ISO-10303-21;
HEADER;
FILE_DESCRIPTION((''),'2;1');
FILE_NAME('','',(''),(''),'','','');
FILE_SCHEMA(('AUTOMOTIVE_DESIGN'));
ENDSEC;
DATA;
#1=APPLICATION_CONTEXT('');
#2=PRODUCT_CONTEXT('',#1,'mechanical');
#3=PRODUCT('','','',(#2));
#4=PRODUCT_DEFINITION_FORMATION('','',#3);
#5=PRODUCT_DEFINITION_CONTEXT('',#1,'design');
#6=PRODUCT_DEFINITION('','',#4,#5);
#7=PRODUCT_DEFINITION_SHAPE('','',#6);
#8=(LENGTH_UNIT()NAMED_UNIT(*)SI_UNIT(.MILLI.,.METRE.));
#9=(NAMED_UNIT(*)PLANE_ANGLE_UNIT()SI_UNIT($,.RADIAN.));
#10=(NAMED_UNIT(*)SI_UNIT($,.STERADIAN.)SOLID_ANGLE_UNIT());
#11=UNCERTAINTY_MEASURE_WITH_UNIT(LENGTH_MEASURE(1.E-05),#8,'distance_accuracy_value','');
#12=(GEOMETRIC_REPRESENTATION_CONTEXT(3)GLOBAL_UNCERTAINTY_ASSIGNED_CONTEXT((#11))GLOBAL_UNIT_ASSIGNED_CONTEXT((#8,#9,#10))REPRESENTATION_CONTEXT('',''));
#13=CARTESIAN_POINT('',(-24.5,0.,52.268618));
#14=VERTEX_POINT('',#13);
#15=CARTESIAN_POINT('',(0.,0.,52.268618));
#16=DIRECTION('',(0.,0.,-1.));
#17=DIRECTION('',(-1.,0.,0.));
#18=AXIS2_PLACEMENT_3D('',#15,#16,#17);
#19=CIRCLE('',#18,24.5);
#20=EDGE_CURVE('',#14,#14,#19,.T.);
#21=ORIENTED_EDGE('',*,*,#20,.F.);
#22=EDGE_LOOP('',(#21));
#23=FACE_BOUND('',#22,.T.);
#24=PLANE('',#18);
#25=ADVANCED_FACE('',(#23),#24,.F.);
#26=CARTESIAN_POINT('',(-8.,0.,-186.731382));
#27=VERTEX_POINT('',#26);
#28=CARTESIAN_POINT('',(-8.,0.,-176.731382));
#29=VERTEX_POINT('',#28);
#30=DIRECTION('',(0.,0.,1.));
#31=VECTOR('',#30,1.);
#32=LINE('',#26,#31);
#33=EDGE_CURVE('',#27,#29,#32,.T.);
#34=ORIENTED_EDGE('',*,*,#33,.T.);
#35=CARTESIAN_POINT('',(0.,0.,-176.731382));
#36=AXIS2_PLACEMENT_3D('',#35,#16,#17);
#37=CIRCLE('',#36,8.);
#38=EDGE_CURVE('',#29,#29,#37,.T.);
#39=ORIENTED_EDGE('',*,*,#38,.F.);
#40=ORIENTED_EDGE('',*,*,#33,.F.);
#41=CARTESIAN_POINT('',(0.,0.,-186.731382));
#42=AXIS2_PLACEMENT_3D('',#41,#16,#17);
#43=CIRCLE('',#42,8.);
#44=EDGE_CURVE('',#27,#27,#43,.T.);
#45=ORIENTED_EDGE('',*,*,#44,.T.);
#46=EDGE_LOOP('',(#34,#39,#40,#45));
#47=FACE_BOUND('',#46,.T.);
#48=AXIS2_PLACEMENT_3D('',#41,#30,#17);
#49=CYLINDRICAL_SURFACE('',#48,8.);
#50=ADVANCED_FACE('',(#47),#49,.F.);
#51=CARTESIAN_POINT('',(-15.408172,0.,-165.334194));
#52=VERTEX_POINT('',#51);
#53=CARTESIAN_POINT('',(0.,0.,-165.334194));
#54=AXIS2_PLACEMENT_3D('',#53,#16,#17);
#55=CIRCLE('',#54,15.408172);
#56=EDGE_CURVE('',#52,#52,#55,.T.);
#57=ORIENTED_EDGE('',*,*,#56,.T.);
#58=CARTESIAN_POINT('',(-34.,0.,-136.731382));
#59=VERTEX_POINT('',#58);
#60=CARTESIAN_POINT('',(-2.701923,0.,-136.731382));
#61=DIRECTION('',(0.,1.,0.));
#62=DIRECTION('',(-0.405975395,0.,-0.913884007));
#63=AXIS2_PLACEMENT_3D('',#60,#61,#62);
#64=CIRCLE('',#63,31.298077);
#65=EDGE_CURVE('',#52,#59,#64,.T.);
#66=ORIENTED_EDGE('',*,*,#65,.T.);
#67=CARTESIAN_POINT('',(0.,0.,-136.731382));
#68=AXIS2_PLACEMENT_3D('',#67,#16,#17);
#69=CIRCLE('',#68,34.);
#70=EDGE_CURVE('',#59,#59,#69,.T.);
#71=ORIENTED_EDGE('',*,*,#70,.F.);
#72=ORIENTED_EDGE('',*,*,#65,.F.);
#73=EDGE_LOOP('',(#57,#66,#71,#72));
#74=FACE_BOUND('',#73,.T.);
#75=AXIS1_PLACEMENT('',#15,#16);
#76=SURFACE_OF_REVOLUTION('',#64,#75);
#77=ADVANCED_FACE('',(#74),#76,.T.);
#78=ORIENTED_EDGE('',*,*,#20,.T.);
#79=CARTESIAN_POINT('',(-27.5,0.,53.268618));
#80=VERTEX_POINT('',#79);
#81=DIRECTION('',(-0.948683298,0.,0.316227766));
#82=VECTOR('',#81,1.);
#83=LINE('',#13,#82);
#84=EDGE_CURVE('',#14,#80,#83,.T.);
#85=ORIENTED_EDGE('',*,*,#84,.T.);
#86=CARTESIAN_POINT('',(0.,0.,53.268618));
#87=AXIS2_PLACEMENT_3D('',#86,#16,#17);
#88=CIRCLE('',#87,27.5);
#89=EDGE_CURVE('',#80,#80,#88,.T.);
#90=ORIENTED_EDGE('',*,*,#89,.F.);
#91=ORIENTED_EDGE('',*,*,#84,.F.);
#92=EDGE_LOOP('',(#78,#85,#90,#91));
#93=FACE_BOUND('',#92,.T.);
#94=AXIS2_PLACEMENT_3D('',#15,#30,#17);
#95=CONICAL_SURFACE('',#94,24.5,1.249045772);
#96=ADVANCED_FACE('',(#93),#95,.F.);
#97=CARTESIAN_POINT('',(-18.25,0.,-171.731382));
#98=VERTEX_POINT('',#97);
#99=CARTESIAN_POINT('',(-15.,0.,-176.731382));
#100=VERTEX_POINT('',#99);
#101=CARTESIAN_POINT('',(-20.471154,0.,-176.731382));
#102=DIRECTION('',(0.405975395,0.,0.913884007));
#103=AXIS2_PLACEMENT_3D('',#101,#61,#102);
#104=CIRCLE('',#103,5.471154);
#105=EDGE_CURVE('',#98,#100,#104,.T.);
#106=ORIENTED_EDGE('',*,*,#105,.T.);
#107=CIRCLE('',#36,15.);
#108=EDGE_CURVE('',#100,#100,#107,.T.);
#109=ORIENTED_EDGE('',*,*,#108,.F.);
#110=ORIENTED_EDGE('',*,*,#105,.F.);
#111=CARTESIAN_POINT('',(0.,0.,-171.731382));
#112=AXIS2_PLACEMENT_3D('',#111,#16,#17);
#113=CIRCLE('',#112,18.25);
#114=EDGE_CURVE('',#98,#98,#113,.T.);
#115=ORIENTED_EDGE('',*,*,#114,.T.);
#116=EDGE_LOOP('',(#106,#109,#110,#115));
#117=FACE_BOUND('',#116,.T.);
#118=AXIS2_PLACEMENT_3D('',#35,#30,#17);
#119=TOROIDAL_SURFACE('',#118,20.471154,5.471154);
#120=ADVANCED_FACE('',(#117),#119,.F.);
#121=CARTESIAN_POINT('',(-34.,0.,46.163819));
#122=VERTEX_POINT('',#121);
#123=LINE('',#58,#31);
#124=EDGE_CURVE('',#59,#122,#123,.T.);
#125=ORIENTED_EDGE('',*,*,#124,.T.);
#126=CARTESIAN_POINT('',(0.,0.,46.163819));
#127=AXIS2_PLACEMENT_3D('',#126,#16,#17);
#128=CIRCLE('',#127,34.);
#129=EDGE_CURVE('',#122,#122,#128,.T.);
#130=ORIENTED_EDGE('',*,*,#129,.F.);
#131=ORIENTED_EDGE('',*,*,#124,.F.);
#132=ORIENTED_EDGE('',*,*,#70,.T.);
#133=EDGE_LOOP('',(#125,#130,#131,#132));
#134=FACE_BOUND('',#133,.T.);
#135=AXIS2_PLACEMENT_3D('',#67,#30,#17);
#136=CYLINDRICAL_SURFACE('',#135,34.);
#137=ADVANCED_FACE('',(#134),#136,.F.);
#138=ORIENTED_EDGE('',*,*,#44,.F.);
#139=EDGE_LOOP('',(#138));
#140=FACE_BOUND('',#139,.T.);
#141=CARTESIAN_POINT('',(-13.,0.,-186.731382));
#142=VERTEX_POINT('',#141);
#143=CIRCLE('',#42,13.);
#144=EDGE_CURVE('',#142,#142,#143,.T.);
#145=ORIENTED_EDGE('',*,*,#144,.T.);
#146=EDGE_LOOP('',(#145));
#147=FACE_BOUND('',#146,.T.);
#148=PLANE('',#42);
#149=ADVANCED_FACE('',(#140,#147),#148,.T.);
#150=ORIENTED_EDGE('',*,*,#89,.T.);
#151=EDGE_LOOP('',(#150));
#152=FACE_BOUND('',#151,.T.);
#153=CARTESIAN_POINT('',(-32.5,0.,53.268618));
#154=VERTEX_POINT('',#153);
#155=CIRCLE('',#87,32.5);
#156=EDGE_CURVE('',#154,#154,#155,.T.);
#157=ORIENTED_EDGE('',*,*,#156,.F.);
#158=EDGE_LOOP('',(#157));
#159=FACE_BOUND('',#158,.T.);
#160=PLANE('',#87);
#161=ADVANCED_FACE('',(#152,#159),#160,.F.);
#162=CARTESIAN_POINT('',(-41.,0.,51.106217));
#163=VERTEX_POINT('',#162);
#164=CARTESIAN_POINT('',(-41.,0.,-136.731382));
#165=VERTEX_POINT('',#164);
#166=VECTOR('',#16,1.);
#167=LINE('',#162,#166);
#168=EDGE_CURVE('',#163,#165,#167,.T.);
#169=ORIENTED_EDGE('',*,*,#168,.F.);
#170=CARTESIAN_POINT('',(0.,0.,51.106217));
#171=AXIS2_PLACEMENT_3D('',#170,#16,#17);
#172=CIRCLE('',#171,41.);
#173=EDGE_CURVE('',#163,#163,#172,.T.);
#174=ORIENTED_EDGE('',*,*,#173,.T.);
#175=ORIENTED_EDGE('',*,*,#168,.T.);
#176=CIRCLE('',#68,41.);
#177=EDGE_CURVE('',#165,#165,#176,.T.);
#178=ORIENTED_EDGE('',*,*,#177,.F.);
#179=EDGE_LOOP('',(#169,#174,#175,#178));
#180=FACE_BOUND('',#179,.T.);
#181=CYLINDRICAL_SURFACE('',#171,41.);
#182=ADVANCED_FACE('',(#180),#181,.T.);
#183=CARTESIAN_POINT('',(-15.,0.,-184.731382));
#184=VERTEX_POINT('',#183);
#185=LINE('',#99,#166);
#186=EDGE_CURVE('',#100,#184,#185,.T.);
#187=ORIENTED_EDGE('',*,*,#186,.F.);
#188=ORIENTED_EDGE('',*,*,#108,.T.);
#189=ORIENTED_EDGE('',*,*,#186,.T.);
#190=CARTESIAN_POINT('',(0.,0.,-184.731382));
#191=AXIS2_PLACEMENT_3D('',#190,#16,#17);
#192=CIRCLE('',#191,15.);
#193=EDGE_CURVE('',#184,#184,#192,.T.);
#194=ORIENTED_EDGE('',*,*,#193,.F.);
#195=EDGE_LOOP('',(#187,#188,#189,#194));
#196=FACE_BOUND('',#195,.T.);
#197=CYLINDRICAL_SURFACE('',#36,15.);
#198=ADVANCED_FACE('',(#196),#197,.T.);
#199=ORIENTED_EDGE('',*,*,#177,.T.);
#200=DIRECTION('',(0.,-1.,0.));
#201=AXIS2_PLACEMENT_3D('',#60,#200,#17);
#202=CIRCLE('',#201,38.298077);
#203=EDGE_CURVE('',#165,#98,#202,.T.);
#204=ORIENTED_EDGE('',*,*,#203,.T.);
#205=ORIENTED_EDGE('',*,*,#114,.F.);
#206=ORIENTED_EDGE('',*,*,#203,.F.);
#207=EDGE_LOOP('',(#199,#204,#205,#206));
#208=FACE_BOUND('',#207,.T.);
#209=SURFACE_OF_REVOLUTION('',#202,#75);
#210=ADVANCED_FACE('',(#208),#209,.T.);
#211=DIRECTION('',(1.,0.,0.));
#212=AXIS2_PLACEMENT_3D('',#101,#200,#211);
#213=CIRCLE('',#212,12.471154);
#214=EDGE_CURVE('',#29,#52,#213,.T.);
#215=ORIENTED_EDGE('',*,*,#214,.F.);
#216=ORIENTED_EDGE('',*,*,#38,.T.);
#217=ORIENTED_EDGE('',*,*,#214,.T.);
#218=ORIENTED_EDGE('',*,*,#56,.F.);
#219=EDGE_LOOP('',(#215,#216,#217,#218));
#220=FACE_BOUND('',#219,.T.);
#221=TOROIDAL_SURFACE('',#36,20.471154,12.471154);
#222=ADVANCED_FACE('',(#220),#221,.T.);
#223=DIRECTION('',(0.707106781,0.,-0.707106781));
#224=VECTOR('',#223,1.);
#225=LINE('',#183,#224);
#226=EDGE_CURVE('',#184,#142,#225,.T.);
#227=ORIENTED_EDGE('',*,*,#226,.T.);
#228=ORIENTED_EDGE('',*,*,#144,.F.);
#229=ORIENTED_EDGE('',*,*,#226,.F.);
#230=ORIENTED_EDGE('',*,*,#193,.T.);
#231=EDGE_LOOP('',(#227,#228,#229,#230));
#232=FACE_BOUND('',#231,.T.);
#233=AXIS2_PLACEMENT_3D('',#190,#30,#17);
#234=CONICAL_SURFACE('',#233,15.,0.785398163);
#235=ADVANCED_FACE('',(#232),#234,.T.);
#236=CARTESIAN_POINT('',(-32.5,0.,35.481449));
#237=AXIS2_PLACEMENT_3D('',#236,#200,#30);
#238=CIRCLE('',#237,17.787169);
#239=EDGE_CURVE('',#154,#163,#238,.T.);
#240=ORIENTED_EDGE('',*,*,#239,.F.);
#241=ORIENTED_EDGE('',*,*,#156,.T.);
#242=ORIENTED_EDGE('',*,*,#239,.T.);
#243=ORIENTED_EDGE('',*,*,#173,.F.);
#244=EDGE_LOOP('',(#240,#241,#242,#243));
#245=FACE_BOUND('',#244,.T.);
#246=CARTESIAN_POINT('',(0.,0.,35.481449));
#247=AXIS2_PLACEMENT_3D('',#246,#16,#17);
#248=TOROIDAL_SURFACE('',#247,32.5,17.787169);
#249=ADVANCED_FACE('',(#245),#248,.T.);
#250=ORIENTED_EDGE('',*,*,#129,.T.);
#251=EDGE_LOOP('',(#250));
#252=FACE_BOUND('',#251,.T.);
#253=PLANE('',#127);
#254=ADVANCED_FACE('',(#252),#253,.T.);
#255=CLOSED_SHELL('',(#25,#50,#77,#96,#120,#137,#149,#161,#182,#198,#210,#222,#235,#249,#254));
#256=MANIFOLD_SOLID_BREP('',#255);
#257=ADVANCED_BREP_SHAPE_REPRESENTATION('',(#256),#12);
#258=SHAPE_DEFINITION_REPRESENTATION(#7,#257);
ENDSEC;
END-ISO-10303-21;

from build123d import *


with BuildPart() as part:
    # Sketch1 → Revolve1 (revolve)
    with BuildSketch(Plane(origin=(0, 0, 0), x_dir=(1, 0, 0), z_dir=(0, 1, 0))):
        with BuildLine():
            Line((-34, -46.163818636), (0, -46.163818636))
            Line((0, -46.163818636), (0, -52.268618281))
            Line((0, -52.268618281), (-24.5, -52.268618281))
            Line((-24.5, -52.268618281), (-27.5, -53.268618281))
            Line((-27.5, -53.268618281), (-32.5, -53.268618281))
            ThreePointArc((-32.5, -53.268618281), (-36.885372769, -52.719543337), (-41, -51.106217468))
            Line((-41, -51.106217468), (-41, 136.731381719))
            ThreePointArc((-41, 136.731381719), (-34.81270119, 157.603387492), (-18.25, 171.731381719))
            ThreePointArc((-18.25, 171.731381719), (-15.88389983, 173.749666608), (-15, 176.731381719))
            Line((-15, 176.731381719), (-15, 184.731381719))
            Line((-15, 184.731381719), (-13, 186.731381719))
            Line((-13, 186.731381719), (-8, 186.731381719))
            Line((-8, 186.731381719), (-8, 179.731381719))
            Line((-8, 179.731381719), (-8, 176.731381719))
            ThreePointArc((-8, 176.731381719), (-10.014794516, 169.934748154), (-15.408172232, 165.33419367))
            ThreePointArc((-15.408172232, 165.33419367), (-28.943595876, 153.788469038), (-34, 136.731381719))
            Line((-34, 136.731381719), (-34, -46.163818636))
        make_face()
    revolve(axis=Axis((0, 0, 52.268618281), (0, 0, -1)))


solid = part.part
